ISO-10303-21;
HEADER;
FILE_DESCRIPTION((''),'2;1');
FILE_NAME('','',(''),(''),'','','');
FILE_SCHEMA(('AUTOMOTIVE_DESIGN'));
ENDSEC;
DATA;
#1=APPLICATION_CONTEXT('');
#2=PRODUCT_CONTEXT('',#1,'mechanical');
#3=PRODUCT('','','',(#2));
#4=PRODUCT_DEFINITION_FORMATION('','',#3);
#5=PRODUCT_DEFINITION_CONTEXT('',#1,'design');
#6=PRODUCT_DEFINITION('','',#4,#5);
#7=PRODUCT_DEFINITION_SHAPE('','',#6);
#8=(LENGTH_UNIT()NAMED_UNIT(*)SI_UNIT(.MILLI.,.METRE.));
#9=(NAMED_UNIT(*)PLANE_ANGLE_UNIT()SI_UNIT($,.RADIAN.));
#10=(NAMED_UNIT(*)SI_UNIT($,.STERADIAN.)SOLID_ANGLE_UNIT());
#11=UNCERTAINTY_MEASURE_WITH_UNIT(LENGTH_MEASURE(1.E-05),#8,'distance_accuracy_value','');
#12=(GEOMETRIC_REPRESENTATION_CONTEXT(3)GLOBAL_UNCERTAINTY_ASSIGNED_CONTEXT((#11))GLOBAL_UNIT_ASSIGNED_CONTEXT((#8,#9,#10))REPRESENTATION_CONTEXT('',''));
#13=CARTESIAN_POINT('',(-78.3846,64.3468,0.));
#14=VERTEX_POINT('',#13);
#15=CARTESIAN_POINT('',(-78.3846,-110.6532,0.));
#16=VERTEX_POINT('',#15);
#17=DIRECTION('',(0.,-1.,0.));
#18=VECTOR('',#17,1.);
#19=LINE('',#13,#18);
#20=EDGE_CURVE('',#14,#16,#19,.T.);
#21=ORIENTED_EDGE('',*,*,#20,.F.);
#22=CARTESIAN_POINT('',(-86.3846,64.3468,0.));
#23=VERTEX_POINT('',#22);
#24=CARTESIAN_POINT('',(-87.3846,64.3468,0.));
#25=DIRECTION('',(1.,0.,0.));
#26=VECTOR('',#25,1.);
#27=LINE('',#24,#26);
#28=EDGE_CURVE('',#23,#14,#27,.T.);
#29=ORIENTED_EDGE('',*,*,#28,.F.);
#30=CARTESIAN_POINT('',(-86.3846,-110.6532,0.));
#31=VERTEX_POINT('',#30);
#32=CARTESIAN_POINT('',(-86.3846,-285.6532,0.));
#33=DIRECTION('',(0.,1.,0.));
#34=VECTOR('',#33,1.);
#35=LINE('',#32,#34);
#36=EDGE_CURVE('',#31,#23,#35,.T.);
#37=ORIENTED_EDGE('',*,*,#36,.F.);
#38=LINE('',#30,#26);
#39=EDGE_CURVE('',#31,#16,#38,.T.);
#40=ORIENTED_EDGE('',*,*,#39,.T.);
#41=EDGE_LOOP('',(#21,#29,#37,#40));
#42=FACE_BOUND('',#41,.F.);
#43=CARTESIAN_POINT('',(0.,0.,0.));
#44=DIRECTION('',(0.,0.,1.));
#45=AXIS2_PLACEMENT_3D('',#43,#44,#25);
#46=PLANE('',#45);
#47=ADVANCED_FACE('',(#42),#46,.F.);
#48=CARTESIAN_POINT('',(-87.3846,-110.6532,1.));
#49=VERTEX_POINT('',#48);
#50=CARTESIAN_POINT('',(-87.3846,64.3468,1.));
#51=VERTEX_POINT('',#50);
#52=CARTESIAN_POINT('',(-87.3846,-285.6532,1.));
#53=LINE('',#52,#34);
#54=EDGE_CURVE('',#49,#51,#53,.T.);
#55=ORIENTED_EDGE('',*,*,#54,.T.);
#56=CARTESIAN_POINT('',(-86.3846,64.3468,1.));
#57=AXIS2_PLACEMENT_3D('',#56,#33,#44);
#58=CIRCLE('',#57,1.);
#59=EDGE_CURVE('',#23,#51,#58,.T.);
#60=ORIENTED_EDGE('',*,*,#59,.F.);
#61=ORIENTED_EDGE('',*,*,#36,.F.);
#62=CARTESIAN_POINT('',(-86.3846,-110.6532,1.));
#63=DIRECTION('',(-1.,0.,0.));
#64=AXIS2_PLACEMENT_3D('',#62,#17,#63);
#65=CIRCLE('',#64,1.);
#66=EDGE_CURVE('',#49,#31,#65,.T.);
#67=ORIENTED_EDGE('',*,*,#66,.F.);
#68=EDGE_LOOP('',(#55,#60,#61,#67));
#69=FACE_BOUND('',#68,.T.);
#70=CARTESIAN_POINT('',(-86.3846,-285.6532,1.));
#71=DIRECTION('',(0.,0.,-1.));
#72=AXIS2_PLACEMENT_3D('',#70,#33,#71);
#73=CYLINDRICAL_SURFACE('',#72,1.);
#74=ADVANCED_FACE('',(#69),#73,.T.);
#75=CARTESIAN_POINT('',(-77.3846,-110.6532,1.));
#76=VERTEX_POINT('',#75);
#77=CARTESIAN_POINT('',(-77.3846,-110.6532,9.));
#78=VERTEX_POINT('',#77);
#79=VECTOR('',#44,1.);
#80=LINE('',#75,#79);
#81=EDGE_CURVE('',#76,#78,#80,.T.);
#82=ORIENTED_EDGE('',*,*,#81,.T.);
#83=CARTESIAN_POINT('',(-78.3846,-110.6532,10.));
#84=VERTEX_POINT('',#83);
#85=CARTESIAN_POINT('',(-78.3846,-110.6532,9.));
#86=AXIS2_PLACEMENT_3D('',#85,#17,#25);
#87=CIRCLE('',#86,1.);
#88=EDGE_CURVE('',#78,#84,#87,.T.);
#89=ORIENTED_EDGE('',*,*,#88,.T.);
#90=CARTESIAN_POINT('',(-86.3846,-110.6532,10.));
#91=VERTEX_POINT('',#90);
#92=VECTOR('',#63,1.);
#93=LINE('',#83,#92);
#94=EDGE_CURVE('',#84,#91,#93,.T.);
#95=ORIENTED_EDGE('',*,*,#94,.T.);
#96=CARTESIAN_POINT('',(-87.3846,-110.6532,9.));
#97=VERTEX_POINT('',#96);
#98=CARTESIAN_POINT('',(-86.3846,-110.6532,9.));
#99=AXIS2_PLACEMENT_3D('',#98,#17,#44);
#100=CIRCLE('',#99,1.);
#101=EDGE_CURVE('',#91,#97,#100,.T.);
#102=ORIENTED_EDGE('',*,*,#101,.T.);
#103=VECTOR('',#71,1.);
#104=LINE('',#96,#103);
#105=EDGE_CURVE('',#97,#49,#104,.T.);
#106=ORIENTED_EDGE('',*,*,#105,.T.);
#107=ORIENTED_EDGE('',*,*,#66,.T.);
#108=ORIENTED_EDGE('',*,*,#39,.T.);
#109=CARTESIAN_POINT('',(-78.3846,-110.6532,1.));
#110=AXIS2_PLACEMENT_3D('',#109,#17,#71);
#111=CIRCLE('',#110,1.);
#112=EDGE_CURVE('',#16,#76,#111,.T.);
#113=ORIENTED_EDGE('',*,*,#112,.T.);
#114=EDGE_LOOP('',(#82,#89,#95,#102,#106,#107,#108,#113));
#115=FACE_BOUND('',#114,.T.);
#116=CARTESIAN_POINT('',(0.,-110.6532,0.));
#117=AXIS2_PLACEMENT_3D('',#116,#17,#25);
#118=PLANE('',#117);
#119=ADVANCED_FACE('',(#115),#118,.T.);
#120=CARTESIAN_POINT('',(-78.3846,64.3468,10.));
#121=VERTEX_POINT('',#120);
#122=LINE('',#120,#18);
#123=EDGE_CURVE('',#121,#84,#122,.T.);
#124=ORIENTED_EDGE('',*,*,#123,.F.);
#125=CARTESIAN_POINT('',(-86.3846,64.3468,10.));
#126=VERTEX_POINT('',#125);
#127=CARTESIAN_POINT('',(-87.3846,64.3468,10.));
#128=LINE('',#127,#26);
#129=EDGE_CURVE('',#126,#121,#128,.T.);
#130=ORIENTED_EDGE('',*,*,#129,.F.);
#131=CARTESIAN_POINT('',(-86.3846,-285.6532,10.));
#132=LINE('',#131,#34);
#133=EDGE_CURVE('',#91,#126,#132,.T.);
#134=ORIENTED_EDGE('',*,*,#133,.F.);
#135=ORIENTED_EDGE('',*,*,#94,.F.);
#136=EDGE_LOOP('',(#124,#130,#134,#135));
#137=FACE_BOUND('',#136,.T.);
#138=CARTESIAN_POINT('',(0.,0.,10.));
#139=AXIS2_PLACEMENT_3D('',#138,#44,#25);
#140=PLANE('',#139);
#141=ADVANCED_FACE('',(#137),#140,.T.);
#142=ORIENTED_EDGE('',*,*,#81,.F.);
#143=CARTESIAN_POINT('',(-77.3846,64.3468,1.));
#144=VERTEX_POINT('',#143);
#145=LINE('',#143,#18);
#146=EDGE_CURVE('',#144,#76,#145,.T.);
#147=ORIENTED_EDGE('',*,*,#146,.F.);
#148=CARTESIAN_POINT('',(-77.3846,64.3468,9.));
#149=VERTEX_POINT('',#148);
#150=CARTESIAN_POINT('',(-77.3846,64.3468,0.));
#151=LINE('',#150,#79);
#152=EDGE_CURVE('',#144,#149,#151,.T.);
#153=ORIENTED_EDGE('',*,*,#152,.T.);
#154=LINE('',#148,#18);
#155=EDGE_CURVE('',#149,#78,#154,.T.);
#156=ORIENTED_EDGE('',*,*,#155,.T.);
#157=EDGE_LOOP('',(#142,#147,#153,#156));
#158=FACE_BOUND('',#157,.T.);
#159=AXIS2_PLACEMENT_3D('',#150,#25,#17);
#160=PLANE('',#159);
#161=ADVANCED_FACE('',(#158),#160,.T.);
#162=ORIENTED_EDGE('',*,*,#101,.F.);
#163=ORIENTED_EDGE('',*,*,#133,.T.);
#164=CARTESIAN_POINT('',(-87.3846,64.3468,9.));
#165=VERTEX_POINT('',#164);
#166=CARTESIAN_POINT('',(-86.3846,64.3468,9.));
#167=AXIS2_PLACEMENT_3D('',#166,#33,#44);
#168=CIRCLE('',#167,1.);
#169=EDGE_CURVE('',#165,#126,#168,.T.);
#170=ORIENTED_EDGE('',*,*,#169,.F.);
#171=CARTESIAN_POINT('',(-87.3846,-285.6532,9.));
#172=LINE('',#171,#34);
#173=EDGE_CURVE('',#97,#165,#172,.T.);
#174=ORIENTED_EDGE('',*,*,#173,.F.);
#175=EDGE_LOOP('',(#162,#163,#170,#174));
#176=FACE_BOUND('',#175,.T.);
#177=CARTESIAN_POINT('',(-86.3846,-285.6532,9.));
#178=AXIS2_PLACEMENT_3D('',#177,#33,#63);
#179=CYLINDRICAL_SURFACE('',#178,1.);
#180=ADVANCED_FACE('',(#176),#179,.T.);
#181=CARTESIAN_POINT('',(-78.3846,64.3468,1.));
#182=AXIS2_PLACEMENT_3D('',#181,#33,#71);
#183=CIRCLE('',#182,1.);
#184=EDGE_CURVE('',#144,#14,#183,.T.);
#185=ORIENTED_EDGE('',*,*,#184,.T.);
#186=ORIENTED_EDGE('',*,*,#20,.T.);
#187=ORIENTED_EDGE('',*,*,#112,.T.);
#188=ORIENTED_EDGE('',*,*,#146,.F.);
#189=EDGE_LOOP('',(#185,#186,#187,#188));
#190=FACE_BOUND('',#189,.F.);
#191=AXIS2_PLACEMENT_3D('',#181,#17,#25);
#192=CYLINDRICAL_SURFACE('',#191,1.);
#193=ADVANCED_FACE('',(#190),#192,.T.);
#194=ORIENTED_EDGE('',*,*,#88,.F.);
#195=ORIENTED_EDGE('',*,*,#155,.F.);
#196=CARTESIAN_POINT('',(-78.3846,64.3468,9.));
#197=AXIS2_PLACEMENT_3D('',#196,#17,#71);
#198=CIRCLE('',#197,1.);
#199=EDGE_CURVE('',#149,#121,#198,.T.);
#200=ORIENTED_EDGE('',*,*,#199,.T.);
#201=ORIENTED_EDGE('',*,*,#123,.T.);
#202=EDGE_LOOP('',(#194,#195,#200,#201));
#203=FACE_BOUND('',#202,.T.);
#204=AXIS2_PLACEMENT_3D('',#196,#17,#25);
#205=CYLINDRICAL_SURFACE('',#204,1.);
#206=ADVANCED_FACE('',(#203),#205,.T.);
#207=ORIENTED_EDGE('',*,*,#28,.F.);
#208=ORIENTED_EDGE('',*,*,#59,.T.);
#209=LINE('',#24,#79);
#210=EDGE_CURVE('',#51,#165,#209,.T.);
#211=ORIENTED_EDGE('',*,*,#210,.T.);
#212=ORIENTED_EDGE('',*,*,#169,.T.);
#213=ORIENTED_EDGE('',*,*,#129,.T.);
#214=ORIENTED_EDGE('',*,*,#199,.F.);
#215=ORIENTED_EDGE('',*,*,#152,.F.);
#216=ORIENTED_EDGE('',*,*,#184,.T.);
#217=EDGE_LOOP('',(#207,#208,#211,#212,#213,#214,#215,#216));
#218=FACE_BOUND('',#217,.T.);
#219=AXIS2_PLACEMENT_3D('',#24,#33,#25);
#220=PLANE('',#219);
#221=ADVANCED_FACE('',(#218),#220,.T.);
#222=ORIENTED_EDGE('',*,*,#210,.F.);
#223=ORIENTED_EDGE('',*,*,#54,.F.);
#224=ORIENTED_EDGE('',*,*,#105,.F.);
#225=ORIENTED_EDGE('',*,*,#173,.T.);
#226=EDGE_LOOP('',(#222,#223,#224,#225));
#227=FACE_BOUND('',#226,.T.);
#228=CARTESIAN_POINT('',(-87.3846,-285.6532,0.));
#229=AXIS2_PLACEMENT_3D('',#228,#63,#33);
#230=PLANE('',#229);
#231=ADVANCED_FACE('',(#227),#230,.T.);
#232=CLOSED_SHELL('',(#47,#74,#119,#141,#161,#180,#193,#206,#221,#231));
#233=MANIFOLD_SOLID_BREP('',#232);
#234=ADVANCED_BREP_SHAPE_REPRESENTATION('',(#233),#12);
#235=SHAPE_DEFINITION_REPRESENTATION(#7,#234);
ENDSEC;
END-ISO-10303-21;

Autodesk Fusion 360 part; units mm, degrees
sketch "Sketch1" plane through (0, 0, 0) normal (0, 0, 1) x (1, 0, 0)
  line L0 (-77.3846, -285.6532) -> (-87.3846, -285.6532)
  line L1 (-77.3846, 64.3468) -> (-77.3846, -285.6532)
  line L2 (-87.3846, -285.6532) -> (-87.3846, 64.3468)
  line L3 (-87.3846, 64.3468) -> (-77.3846, 64.3468)
  dimension "d11" = 10
  dimension "d12" = 350
extrude "Extrude3" add sketch "Sketch1" along normal blind 10
fillet "Fillet3" radius 1 2 edges at (-77.3846, -110.6532, 10) (-87.3846, -110.6532, 10)
fillet "Fillet4" radius 1 2 edges at (-77.3846, -110.6532, 0) (-87.3846, -110.6532, 0)
sketch "Sketch2" plane through (0, -285.6532, 0) normal (0, -1, 0) x (1, 0, 0)
  arc A0 (-87.3846, 1) -> (-86.3846, 0) centre (-86.3846, 1) ccw
  line L0 (-86.3846, 0) -> (-78.3846, 0)
  arc A1 (-78.3846, 0) -> (-77.3846, 1) centre (-78.3846, 1) ccw
  line L1 (-77.3846, 1) -> (-77.3846, 9)
  arc A2 (-77.3846, 9) -> (-78.3846, 10) centre (-78.3846, 9) ccw
  line L2 (-78.3846, 10) -> (-86.3846, 10)
  arc A3 (-86.3846, 10) -> (-87.3846, 9) centre (-86.3846, 9) ccw
  line L3 (-87.3846, 9) -> (-87.3846, 1)
  curve L4
  curve L5
  curve L6
  curve L7
  curve L8
  curve L9
  curve L10
  curve L11
  curve L12
  curve L13
  point P0 (-77.3846, 0)
  point P1 (-87.3846, 0)
extrude "Extrude4" cut sketch "Sketch2" against normal blind 175
